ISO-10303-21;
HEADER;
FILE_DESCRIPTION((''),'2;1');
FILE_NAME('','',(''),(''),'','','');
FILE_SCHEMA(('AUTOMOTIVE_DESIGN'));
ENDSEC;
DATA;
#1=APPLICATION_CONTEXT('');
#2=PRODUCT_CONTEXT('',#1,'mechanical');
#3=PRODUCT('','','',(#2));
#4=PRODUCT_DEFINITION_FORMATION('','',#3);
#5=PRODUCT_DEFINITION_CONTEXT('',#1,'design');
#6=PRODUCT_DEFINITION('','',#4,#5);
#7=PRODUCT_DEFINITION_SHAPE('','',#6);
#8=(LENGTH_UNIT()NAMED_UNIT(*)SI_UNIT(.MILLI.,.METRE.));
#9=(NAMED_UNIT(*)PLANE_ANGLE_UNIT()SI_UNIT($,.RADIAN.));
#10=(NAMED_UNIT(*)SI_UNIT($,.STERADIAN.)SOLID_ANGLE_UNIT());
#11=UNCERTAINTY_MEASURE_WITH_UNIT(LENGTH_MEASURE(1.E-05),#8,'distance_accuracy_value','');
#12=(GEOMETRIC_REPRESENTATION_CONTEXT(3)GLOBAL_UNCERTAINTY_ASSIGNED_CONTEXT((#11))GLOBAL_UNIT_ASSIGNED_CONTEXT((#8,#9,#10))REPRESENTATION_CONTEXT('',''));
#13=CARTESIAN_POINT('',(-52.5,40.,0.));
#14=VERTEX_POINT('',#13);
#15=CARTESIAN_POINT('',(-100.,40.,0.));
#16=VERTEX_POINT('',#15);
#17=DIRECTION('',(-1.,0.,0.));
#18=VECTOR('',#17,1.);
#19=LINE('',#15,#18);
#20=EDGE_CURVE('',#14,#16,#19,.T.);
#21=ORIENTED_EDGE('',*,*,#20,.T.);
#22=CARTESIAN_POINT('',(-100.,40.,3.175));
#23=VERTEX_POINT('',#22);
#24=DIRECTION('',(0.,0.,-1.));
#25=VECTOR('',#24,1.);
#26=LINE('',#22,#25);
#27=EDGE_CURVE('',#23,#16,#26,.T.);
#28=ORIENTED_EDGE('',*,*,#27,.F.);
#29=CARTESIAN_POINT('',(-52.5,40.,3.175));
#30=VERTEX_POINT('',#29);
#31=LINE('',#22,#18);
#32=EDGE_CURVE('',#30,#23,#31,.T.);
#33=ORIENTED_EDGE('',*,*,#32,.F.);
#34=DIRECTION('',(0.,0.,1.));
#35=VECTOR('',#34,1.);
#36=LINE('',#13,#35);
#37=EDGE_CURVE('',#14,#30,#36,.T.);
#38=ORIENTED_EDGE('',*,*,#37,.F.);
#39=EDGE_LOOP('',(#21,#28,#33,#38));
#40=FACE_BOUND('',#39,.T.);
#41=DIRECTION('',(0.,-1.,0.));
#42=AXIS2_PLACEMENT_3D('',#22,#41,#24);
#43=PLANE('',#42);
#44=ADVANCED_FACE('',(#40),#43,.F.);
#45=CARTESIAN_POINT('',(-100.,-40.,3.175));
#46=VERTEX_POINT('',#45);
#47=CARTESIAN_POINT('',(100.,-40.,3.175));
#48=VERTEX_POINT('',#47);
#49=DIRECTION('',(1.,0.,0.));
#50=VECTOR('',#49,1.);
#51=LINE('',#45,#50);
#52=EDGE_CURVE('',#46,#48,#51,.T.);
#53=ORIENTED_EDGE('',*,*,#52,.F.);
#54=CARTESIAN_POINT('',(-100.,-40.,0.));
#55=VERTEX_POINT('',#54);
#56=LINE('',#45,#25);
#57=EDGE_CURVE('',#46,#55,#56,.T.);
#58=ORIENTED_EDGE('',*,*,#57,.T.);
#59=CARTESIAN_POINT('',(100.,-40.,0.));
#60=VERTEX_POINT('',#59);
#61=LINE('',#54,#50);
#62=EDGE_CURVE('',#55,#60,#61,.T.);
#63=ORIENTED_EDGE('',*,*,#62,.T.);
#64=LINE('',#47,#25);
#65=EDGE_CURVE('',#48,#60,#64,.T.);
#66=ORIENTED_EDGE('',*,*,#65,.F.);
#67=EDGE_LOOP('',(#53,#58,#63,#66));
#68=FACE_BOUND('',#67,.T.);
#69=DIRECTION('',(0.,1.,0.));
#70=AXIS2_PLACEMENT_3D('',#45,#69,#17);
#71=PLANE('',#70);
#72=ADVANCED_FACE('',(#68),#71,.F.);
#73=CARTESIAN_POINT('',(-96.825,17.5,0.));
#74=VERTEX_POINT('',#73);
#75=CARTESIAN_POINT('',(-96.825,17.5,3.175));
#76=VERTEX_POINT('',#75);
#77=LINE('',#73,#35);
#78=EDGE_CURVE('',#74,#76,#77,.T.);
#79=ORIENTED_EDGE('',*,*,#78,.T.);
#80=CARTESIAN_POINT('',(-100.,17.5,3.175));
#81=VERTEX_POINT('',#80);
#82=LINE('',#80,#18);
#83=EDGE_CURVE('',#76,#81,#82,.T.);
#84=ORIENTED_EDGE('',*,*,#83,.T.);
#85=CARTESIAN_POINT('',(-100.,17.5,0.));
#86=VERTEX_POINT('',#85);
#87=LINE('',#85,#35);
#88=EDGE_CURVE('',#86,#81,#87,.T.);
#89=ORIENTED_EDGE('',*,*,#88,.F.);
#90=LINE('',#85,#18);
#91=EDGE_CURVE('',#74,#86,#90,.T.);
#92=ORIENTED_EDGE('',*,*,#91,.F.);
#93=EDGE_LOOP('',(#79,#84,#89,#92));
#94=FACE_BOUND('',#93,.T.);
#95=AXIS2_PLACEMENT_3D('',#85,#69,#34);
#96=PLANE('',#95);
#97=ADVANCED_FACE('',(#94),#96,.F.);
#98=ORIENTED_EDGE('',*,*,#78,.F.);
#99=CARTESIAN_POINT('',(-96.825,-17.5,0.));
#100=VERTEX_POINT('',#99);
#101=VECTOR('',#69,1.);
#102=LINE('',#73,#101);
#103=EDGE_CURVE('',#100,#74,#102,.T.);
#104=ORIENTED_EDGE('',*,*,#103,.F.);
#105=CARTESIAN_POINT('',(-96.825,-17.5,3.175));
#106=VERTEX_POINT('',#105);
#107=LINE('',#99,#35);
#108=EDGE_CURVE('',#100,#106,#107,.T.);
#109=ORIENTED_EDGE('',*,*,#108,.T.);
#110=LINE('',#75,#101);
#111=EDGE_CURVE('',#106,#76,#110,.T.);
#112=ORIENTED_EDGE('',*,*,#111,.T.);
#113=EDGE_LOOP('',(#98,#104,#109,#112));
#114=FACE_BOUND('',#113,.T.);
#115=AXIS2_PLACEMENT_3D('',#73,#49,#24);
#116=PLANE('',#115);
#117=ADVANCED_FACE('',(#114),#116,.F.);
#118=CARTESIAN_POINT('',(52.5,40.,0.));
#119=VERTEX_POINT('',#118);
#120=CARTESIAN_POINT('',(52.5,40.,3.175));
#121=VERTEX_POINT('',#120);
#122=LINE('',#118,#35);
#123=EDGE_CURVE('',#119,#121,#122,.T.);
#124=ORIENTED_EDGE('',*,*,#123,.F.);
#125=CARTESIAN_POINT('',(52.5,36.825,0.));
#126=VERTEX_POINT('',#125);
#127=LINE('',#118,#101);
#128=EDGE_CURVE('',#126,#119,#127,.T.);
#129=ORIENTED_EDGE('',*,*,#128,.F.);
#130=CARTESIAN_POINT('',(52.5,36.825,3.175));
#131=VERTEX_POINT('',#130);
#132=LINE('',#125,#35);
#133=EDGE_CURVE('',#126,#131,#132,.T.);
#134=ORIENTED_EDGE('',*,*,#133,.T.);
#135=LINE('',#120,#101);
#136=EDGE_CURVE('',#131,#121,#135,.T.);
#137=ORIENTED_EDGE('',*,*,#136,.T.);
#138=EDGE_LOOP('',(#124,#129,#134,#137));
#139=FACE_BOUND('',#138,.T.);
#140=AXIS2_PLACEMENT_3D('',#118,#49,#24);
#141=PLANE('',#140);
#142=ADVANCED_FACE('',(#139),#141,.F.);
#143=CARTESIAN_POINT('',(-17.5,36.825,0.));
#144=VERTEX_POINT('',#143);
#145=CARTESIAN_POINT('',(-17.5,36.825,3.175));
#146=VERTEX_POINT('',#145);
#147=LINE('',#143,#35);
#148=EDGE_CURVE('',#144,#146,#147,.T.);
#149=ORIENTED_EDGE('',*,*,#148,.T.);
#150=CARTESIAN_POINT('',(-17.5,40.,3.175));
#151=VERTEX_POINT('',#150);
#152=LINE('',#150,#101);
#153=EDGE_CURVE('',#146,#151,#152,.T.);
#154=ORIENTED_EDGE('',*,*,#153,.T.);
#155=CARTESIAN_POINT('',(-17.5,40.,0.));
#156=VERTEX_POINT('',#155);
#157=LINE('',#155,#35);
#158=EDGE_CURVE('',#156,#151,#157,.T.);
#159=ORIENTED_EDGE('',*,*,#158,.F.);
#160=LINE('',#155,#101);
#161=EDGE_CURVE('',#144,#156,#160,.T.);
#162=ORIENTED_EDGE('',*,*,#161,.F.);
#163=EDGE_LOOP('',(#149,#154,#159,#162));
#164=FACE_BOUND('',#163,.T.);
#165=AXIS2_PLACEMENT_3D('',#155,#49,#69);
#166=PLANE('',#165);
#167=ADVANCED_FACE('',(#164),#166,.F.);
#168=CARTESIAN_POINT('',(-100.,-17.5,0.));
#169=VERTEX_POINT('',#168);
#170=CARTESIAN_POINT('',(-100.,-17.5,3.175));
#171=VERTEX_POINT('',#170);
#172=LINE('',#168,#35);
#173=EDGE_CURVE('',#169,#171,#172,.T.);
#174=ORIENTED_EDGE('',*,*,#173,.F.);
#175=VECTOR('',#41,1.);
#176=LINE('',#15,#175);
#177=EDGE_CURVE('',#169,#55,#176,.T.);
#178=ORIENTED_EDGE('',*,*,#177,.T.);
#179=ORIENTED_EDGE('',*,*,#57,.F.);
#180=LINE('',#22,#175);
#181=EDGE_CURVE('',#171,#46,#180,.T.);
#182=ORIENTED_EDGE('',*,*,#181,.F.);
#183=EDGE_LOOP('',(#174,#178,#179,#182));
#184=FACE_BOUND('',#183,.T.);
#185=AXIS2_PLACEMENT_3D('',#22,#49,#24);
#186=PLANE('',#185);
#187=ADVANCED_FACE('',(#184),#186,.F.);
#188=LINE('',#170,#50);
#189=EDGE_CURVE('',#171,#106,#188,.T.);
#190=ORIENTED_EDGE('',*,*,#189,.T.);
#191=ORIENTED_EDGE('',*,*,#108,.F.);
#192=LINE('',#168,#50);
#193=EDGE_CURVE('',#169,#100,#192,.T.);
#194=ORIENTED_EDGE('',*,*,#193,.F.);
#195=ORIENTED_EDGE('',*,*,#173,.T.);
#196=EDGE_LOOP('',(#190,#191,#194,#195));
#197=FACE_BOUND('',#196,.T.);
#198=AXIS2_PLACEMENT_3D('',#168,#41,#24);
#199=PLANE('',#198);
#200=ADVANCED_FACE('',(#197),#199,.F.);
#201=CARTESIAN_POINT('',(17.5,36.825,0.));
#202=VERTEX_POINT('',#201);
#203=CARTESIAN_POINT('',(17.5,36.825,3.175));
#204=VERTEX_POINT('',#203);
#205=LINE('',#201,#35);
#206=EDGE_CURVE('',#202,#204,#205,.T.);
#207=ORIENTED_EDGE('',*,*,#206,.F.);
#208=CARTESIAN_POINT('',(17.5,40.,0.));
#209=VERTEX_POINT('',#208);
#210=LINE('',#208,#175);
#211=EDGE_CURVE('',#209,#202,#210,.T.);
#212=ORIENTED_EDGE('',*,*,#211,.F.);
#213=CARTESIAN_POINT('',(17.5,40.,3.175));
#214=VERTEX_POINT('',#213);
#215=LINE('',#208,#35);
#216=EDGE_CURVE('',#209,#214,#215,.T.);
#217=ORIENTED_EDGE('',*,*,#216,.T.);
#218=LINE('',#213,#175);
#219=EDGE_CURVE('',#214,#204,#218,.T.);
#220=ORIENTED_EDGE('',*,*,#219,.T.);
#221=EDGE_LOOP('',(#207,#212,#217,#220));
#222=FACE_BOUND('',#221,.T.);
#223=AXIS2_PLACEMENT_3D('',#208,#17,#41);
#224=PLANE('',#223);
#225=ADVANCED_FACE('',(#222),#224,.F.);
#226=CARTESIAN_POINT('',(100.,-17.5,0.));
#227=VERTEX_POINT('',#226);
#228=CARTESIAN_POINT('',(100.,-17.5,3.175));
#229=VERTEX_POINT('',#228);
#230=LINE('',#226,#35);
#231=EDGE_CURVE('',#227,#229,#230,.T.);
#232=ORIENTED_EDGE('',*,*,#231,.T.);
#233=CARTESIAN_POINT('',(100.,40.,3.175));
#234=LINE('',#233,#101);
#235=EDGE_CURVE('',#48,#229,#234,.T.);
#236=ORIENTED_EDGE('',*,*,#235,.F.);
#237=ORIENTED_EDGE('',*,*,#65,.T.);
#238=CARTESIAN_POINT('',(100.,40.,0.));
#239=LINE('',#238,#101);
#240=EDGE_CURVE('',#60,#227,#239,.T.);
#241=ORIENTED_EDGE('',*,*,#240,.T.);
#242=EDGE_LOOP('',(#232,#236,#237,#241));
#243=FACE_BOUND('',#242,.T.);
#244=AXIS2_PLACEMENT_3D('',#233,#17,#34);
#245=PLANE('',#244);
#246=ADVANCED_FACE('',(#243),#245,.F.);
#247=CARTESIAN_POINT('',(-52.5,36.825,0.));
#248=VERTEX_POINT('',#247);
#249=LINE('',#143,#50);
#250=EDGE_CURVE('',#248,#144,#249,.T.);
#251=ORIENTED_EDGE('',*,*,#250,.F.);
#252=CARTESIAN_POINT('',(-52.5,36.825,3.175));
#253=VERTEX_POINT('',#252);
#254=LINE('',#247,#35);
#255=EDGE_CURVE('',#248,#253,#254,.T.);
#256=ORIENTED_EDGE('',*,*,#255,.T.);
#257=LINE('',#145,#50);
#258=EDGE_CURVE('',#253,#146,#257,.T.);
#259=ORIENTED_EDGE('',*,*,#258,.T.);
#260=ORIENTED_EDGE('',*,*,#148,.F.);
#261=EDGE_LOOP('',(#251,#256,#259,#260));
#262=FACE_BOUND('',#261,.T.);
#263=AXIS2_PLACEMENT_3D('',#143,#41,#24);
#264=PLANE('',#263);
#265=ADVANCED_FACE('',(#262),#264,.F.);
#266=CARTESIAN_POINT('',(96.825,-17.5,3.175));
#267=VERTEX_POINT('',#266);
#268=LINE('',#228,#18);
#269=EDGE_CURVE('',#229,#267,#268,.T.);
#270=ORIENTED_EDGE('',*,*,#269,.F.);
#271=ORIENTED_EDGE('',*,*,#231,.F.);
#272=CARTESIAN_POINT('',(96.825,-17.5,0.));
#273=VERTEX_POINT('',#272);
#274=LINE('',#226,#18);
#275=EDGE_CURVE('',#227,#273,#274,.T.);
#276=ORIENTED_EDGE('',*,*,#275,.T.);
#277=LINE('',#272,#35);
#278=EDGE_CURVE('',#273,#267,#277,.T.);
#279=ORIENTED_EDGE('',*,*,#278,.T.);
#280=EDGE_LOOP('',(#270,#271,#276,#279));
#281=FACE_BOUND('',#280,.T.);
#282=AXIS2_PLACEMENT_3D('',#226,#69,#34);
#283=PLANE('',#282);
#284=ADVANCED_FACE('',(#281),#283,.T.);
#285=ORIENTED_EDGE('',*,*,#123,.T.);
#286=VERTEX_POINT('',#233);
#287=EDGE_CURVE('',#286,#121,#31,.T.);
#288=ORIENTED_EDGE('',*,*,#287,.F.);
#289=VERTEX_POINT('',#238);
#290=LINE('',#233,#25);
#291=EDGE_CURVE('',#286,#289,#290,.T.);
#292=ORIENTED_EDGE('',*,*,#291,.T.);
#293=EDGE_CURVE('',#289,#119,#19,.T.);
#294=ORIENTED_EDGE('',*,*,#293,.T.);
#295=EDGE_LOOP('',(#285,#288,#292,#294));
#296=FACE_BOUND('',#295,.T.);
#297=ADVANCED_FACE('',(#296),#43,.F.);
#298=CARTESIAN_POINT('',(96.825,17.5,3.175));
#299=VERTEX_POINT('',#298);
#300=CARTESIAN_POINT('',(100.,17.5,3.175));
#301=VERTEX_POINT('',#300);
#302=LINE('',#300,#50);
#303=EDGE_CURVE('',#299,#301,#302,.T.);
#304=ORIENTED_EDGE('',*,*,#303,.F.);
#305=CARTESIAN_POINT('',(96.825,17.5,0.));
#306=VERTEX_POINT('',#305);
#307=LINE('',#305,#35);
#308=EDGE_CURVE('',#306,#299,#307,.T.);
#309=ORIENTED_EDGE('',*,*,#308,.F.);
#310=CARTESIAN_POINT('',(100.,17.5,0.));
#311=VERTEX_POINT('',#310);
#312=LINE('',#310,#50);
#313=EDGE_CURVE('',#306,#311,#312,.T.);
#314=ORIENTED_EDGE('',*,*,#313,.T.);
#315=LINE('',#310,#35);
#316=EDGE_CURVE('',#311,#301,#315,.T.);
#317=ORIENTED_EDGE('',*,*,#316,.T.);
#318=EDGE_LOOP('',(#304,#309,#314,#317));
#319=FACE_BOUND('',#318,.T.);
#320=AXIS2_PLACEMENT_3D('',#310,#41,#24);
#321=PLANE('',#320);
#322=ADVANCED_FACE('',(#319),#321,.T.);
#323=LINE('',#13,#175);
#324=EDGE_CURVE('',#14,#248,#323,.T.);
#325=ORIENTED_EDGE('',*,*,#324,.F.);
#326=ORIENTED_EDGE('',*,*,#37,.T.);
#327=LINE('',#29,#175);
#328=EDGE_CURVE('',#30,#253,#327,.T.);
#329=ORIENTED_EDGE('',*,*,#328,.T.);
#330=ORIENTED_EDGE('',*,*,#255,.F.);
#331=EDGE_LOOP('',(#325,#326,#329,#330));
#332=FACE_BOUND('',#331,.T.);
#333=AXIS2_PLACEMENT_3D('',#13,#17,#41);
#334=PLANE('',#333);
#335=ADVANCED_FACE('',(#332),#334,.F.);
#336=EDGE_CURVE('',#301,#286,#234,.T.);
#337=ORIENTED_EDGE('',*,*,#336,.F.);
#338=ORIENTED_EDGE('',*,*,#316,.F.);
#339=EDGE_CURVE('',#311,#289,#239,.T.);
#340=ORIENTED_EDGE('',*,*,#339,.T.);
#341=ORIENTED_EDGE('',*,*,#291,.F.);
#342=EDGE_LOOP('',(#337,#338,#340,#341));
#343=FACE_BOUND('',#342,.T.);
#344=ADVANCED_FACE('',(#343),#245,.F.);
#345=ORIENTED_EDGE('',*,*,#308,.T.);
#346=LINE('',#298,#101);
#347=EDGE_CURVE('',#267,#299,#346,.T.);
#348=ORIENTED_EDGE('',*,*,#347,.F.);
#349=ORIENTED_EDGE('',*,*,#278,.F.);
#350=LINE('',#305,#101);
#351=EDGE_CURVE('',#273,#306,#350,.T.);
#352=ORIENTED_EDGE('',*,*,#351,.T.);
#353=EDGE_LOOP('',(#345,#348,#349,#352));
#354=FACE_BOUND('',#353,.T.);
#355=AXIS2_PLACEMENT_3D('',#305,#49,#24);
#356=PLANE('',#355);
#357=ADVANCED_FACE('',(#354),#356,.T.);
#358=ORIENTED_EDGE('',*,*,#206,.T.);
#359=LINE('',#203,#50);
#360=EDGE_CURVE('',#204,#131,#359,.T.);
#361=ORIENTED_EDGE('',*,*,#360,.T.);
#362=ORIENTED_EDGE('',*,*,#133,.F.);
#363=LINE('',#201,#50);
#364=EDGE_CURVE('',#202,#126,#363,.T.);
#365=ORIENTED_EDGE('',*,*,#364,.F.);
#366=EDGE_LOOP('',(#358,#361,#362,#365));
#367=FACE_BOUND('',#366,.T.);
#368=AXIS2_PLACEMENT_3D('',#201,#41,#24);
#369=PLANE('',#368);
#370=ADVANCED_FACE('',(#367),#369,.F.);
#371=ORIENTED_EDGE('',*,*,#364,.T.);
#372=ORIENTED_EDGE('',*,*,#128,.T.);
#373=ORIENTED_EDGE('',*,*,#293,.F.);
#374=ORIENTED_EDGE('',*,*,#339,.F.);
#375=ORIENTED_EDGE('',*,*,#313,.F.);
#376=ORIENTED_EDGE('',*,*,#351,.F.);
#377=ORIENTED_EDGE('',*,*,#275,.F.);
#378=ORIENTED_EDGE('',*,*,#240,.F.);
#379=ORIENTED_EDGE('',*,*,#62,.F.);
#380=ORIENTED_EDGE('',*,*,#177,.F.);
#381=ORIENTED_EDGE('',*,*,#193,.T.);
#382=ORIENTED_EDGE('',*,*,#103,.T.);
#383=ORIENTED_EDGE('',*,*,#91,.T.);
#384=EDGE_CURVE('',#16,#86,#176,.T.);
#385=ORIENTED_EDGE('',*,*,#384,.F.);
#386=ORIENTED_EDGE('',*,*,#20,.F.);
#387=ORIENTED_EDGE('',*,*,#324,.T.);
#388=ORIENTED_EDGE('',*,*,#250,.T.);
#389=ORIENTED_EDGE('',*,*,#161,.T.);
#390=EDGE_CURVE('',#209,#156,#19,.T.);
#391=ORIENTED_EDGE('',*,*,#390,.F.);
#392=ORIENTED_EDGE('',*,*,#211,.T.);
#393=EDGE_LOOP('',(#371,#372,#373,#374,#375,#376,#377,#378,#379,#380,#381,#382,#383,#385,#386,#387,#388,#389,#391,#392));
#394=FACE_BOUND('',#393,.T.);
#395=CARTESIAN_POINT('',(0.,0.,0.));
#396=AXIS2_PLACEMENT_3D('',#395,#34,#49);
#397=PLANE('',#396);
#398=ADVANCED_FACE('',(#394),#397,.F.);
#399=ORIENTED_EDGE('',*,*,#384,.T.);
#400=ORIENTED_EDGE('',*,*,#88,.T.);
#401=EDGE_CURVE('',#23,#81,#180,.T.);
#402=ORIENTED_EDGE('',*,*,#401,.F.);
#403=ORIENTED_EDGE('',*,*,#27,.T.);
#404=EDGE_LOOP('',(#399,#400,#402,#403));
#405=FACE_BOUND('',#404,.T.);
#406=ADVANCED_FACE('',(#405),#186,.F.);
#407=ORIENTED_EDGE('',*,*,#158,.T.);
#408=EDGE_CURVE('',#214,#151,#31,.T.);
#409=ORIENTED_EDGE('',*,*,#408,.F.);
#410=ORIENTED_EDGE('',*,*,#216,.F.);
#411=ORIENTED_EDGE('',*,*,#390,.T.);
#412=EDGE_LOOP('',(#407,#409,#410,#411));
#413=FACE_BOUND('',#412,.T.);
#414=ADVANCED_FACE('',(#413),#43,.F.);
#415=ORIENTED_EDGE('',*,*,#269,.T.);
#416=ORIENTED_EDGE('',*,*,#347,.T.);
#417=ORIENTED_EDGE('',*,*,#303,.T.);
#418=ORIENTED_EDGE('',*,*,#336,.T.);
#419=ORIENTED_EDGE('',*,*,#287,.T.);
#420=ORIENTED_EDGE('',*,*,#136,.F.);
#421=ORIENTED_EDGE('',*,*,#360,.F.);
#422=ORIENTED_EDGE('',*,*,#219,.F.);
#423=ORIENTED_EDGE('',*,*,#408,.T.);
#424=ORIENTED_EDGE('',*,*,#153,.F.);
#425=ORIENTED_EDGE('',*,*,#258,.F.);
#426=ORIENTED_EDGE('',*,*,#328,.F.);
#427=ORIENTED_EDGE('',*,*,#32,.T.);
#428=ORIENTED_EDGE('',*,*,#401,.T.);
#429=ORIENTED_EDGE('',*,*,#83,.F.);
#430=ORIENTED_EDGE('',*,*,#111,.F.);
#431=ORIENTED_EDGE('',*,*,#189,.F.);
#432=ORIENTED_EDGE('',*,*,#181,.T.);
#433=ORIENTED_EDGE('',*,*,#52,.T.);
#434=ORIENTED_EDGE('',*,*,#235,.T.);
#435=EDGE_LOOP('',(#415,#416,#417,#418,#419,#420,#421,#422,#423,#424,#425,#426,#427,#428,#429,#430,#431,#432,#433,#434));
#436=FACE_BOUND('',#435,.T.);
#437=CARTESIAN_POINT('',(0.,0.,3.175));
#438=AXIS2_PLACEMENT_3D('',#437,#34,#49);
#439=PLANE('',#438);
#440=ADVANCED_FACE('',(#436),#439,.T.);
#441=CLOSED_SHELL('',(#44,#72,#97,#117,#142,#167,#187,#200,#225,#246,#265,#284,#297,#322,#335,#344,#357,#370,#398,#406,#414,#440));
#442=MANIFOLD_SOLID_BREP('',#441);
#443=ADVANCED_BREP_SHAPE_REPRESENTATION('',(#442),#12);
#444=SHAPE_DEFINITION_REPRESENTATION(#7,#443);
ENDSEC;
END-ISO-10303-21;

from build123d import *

# Parameters (mm, degrees)
ESQUISSE2_W             = 200
ESQUISSE2_H             = 80
BOSS_EXTRU_1_DEPTH      = 3.175
ESQUISSE3_W             = 35
ESQUISSE3_H             = 3.175
ENL_V_MAT_EXTRU_1_DEPTH = 4.175
ESQUISSE4_W             = 3.175
ESQUISSE4_H             = 35
ENL_V_MAT_EXTRU_2_DEPTH = 4.175


with BuildPart() as part:
    # Esquisse2 → Boss.-Extru.1 (new body)
    with BuildSketch(Plane.XY):
        Rectangle(ESQUISSE2_W, ESQUISSE2_H)
    extrude(amount=BOSS_EXTRU_1_DEPTH)

    # Esquisse3 → Enlèv. mat.-Extru.1 (cut, through all)
    with BuildSketch(Plane.XY.offset(3.175)):
        with Locations((35, 38.4125)):
            Rectangle(ESQUISSE3_W, ESQUISSE3_H)
        with Locations((-35, 38.4125)):
            Rectangle(ESQUISSE3_W, ESQUISSE3_H)
    extrude(amount=-ENL_V_MAT_EXTRU_1_DEPTH, mode=Mode.SUBTRACT)

    # Esquisse4 → Enlèv. mat.-Extru.2 (cut, through all)
    with BuildSketch(Plane.XY.offset(3.175)):
        with Locations((-98.4125, 0)):
            Rectangle(ESQUISSE4_W, ESQUISSE4_H)
    enl_v_mat_extru_2 = extrude(amount=-ENL_V_MAT_EXTRU_2_DEPTH, mode=Mode.SUBTRACT)

    # Symétrie1: Enlèv. mat.-Extru.2 across plane
    add(enl_v_mat_extru_2.mirror(Plane(origin=(0, 0, 0), x_dir=(0, 0, 1), z_dir=(1, 0, 0))), mode=Mode.SUBTRACT)


solid = part.part
